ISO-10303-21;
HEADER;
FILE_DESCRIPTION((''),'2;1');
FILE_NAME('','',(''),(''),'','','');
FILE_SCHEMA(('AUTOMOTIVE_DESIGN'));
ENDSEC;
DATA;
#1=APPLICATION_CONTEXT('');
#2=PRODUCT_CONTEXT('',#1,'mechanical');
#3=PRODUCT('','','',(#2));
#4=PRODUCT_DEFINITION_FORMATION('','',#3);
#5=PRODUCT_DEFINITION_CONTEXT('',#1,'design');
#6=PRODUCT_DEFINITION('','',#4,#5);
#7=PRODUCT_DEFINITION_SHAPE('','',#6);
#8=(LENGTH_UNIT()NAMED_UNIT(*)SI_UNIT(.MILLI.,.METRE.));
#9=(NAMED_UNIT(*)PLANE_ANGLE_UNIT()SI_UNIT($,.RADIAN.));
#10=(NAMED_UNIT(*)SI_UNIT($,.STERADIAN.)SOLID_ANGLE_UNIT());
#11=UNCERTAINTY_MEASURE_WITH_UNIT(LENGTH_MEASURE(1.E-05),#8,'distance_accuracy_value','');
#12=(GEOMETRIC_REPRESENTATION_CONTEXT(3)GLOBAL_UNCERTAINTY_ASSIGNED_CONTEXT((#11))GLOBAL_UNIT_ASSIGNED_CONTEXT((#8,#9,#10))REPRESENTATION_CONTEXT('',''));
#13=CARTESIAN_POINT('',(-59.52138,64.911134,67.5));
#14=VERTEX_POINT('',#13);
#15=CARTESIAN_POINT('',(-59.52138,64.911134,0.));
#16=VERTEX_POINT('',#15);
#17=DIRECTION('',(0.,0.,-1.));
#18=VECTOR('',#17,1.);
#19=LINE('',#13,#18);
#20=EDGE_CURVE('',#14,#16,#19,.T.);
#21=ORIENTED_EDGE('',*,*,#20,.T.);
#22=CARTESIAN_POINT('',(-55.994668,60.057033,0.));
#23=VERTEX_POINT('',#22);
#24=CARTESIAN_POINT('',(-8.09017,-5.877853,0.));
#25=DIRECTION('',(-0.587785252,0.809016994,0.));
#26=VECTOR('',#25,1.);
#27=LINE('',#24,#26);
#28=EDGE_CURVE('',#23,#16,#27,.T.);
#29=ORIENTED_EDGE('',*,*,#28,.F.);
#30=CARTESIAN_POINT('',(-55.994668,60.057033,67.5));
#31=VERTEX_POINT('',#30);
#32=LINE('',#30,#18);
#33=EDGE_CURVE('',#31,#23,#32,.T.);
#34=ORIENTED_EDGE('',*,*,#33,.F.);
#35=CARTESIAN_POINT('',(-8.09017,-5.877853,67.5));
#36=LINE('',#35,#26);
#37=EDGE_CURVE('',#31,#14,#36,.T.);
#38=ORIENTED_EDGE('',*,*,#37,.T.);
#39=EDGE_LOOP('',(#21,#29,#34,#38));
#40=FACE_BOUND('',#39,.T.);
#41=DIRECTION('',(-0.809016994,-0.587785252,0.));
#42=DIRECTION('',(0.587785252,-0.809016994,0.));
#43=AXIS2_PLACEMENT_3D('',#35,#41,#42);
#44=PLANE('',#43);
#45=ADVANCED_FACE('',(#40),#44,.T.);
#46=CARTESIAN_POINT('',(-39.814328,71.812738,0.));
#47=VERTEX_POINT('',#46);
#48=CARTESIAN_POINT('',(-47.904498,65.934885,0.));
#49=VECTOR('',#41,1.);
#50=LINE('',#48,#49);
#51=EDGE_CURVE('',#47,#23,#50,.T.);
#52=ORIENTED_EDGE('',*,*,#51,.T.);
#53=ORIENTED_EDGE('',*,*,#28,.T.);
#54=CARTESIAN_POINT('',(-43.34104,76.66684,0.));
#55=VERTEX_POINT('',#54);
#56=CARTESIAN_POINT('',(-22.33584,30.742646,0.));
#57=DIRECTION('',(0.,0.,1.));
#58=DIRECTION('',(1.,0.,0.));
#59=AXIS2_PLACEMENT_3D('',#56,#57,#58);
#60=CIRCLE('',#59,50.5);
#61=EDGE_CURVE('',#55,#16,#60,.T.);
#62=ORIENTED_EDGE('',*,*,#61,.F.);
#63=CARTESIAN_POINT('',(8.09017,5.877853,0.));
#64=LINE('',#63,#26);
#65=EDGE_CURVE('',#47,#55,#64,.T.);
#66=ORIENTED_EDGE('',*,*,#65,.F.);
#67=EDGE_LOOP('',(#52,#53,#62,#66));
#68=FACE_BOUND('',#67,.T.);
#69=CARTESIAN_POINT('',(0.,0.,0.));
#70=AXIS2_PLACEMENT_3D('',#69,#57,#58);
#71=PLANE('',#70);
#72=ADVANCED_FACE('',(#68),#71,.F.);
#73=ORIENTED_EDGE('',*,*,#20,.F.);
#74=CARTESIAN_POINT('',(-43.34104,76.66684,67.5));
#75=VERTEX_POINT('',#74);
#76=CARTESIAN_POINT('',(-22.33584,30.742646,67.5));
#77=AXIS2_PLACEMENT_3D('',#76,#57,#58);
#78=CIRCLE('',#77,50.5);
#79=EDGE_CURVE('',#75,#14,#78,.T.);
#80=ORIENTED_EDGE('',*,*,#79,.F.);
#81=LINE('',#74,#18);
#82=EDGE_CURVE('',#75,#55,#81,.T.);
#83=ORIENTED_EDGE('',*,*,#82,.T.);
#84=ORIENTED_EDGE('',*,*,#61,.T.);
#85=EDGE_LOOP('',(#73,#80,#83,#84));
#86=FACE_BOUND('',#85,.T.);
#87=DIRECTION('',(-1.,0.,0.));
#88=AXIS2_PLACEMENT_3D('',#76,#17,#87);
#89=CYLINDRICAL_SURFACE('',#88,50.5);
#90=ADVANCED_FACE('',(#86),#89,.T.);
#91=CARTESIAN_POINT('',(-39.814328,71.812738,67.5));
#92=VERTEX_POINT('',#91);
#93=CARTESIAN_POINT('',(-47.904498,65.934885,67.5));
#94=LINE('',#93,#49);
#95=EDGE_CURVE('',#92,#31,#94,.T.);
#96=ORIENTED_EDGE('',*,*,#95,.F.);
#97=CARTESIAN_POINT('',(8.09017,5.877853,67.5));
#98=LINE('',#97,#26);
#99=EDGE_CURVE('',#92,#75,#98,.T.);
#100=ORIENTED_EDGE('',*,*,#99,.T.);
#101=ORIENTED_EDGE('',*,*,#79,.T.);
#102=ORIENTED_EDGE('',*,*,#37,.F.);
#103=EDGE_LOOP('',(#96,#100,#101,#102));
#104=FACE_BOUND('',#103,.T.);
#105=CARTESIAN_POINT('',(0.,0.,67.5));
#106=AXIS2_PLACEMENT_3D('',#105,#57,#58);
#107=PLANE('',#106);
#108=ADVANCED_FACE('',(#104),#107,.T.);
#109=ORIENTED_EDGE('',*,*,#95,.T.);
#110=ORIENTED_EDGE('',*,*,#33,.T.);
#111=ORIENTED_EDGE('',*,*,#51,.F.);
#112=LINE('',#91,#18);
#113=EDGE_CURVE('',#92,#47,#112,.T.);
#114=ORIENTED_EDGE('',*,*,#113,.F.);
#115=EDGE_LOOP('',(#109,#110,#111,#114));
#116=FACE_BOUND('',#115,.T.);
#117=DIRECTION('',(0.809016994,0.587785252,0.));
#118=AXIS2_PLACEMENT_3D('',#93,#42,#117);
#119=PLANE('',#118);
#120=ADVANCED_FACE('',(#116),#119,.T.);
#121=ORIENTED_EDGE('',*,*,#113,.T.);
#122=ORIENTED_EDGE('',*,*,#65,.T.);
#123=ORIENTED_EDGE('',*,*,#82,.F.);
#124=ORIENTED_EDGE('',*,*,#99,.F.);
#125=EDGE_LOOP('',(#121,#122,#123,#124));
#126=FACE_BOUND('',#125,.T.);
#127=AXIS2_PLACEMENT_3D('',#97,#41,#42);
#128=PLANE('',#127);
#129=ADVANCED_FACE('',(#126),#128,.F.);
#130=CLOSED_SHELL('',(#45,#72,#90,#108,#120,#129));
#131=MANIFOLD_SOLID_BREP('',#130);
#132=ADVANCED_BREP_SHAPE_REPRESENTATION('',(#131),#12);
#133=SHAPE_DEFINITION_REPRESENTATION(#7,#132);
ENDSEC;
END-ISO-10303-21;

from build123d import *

# Parameters (mm, degrees)
BOSS_EXTRUDE2_DEPTH = 67.5


with BuildPart() as part:
    # Sketch1 → Boss-Extrude2 (new body)
    with BuildSketch(Plane.XY):
        with BuildLine():
            Line((-39.814328118, 71.812737564), (-43.341039632, 76.666839531))
            ThreePointArc((-43.341039632, 76.666839531), (-52.018994828, 71.598004002), (-59.521379519, 64.911134485))
            Line((-59.521379519, 64.911134485), (-55.994668006, 60.057032519))
            Line((-55.994668006, 60.057032519), (-39.814328118, 71.812737564))
        make_face()
    extrude(amount=BOSS_EXTRUDE2_DEPTH)


solid = part.part
